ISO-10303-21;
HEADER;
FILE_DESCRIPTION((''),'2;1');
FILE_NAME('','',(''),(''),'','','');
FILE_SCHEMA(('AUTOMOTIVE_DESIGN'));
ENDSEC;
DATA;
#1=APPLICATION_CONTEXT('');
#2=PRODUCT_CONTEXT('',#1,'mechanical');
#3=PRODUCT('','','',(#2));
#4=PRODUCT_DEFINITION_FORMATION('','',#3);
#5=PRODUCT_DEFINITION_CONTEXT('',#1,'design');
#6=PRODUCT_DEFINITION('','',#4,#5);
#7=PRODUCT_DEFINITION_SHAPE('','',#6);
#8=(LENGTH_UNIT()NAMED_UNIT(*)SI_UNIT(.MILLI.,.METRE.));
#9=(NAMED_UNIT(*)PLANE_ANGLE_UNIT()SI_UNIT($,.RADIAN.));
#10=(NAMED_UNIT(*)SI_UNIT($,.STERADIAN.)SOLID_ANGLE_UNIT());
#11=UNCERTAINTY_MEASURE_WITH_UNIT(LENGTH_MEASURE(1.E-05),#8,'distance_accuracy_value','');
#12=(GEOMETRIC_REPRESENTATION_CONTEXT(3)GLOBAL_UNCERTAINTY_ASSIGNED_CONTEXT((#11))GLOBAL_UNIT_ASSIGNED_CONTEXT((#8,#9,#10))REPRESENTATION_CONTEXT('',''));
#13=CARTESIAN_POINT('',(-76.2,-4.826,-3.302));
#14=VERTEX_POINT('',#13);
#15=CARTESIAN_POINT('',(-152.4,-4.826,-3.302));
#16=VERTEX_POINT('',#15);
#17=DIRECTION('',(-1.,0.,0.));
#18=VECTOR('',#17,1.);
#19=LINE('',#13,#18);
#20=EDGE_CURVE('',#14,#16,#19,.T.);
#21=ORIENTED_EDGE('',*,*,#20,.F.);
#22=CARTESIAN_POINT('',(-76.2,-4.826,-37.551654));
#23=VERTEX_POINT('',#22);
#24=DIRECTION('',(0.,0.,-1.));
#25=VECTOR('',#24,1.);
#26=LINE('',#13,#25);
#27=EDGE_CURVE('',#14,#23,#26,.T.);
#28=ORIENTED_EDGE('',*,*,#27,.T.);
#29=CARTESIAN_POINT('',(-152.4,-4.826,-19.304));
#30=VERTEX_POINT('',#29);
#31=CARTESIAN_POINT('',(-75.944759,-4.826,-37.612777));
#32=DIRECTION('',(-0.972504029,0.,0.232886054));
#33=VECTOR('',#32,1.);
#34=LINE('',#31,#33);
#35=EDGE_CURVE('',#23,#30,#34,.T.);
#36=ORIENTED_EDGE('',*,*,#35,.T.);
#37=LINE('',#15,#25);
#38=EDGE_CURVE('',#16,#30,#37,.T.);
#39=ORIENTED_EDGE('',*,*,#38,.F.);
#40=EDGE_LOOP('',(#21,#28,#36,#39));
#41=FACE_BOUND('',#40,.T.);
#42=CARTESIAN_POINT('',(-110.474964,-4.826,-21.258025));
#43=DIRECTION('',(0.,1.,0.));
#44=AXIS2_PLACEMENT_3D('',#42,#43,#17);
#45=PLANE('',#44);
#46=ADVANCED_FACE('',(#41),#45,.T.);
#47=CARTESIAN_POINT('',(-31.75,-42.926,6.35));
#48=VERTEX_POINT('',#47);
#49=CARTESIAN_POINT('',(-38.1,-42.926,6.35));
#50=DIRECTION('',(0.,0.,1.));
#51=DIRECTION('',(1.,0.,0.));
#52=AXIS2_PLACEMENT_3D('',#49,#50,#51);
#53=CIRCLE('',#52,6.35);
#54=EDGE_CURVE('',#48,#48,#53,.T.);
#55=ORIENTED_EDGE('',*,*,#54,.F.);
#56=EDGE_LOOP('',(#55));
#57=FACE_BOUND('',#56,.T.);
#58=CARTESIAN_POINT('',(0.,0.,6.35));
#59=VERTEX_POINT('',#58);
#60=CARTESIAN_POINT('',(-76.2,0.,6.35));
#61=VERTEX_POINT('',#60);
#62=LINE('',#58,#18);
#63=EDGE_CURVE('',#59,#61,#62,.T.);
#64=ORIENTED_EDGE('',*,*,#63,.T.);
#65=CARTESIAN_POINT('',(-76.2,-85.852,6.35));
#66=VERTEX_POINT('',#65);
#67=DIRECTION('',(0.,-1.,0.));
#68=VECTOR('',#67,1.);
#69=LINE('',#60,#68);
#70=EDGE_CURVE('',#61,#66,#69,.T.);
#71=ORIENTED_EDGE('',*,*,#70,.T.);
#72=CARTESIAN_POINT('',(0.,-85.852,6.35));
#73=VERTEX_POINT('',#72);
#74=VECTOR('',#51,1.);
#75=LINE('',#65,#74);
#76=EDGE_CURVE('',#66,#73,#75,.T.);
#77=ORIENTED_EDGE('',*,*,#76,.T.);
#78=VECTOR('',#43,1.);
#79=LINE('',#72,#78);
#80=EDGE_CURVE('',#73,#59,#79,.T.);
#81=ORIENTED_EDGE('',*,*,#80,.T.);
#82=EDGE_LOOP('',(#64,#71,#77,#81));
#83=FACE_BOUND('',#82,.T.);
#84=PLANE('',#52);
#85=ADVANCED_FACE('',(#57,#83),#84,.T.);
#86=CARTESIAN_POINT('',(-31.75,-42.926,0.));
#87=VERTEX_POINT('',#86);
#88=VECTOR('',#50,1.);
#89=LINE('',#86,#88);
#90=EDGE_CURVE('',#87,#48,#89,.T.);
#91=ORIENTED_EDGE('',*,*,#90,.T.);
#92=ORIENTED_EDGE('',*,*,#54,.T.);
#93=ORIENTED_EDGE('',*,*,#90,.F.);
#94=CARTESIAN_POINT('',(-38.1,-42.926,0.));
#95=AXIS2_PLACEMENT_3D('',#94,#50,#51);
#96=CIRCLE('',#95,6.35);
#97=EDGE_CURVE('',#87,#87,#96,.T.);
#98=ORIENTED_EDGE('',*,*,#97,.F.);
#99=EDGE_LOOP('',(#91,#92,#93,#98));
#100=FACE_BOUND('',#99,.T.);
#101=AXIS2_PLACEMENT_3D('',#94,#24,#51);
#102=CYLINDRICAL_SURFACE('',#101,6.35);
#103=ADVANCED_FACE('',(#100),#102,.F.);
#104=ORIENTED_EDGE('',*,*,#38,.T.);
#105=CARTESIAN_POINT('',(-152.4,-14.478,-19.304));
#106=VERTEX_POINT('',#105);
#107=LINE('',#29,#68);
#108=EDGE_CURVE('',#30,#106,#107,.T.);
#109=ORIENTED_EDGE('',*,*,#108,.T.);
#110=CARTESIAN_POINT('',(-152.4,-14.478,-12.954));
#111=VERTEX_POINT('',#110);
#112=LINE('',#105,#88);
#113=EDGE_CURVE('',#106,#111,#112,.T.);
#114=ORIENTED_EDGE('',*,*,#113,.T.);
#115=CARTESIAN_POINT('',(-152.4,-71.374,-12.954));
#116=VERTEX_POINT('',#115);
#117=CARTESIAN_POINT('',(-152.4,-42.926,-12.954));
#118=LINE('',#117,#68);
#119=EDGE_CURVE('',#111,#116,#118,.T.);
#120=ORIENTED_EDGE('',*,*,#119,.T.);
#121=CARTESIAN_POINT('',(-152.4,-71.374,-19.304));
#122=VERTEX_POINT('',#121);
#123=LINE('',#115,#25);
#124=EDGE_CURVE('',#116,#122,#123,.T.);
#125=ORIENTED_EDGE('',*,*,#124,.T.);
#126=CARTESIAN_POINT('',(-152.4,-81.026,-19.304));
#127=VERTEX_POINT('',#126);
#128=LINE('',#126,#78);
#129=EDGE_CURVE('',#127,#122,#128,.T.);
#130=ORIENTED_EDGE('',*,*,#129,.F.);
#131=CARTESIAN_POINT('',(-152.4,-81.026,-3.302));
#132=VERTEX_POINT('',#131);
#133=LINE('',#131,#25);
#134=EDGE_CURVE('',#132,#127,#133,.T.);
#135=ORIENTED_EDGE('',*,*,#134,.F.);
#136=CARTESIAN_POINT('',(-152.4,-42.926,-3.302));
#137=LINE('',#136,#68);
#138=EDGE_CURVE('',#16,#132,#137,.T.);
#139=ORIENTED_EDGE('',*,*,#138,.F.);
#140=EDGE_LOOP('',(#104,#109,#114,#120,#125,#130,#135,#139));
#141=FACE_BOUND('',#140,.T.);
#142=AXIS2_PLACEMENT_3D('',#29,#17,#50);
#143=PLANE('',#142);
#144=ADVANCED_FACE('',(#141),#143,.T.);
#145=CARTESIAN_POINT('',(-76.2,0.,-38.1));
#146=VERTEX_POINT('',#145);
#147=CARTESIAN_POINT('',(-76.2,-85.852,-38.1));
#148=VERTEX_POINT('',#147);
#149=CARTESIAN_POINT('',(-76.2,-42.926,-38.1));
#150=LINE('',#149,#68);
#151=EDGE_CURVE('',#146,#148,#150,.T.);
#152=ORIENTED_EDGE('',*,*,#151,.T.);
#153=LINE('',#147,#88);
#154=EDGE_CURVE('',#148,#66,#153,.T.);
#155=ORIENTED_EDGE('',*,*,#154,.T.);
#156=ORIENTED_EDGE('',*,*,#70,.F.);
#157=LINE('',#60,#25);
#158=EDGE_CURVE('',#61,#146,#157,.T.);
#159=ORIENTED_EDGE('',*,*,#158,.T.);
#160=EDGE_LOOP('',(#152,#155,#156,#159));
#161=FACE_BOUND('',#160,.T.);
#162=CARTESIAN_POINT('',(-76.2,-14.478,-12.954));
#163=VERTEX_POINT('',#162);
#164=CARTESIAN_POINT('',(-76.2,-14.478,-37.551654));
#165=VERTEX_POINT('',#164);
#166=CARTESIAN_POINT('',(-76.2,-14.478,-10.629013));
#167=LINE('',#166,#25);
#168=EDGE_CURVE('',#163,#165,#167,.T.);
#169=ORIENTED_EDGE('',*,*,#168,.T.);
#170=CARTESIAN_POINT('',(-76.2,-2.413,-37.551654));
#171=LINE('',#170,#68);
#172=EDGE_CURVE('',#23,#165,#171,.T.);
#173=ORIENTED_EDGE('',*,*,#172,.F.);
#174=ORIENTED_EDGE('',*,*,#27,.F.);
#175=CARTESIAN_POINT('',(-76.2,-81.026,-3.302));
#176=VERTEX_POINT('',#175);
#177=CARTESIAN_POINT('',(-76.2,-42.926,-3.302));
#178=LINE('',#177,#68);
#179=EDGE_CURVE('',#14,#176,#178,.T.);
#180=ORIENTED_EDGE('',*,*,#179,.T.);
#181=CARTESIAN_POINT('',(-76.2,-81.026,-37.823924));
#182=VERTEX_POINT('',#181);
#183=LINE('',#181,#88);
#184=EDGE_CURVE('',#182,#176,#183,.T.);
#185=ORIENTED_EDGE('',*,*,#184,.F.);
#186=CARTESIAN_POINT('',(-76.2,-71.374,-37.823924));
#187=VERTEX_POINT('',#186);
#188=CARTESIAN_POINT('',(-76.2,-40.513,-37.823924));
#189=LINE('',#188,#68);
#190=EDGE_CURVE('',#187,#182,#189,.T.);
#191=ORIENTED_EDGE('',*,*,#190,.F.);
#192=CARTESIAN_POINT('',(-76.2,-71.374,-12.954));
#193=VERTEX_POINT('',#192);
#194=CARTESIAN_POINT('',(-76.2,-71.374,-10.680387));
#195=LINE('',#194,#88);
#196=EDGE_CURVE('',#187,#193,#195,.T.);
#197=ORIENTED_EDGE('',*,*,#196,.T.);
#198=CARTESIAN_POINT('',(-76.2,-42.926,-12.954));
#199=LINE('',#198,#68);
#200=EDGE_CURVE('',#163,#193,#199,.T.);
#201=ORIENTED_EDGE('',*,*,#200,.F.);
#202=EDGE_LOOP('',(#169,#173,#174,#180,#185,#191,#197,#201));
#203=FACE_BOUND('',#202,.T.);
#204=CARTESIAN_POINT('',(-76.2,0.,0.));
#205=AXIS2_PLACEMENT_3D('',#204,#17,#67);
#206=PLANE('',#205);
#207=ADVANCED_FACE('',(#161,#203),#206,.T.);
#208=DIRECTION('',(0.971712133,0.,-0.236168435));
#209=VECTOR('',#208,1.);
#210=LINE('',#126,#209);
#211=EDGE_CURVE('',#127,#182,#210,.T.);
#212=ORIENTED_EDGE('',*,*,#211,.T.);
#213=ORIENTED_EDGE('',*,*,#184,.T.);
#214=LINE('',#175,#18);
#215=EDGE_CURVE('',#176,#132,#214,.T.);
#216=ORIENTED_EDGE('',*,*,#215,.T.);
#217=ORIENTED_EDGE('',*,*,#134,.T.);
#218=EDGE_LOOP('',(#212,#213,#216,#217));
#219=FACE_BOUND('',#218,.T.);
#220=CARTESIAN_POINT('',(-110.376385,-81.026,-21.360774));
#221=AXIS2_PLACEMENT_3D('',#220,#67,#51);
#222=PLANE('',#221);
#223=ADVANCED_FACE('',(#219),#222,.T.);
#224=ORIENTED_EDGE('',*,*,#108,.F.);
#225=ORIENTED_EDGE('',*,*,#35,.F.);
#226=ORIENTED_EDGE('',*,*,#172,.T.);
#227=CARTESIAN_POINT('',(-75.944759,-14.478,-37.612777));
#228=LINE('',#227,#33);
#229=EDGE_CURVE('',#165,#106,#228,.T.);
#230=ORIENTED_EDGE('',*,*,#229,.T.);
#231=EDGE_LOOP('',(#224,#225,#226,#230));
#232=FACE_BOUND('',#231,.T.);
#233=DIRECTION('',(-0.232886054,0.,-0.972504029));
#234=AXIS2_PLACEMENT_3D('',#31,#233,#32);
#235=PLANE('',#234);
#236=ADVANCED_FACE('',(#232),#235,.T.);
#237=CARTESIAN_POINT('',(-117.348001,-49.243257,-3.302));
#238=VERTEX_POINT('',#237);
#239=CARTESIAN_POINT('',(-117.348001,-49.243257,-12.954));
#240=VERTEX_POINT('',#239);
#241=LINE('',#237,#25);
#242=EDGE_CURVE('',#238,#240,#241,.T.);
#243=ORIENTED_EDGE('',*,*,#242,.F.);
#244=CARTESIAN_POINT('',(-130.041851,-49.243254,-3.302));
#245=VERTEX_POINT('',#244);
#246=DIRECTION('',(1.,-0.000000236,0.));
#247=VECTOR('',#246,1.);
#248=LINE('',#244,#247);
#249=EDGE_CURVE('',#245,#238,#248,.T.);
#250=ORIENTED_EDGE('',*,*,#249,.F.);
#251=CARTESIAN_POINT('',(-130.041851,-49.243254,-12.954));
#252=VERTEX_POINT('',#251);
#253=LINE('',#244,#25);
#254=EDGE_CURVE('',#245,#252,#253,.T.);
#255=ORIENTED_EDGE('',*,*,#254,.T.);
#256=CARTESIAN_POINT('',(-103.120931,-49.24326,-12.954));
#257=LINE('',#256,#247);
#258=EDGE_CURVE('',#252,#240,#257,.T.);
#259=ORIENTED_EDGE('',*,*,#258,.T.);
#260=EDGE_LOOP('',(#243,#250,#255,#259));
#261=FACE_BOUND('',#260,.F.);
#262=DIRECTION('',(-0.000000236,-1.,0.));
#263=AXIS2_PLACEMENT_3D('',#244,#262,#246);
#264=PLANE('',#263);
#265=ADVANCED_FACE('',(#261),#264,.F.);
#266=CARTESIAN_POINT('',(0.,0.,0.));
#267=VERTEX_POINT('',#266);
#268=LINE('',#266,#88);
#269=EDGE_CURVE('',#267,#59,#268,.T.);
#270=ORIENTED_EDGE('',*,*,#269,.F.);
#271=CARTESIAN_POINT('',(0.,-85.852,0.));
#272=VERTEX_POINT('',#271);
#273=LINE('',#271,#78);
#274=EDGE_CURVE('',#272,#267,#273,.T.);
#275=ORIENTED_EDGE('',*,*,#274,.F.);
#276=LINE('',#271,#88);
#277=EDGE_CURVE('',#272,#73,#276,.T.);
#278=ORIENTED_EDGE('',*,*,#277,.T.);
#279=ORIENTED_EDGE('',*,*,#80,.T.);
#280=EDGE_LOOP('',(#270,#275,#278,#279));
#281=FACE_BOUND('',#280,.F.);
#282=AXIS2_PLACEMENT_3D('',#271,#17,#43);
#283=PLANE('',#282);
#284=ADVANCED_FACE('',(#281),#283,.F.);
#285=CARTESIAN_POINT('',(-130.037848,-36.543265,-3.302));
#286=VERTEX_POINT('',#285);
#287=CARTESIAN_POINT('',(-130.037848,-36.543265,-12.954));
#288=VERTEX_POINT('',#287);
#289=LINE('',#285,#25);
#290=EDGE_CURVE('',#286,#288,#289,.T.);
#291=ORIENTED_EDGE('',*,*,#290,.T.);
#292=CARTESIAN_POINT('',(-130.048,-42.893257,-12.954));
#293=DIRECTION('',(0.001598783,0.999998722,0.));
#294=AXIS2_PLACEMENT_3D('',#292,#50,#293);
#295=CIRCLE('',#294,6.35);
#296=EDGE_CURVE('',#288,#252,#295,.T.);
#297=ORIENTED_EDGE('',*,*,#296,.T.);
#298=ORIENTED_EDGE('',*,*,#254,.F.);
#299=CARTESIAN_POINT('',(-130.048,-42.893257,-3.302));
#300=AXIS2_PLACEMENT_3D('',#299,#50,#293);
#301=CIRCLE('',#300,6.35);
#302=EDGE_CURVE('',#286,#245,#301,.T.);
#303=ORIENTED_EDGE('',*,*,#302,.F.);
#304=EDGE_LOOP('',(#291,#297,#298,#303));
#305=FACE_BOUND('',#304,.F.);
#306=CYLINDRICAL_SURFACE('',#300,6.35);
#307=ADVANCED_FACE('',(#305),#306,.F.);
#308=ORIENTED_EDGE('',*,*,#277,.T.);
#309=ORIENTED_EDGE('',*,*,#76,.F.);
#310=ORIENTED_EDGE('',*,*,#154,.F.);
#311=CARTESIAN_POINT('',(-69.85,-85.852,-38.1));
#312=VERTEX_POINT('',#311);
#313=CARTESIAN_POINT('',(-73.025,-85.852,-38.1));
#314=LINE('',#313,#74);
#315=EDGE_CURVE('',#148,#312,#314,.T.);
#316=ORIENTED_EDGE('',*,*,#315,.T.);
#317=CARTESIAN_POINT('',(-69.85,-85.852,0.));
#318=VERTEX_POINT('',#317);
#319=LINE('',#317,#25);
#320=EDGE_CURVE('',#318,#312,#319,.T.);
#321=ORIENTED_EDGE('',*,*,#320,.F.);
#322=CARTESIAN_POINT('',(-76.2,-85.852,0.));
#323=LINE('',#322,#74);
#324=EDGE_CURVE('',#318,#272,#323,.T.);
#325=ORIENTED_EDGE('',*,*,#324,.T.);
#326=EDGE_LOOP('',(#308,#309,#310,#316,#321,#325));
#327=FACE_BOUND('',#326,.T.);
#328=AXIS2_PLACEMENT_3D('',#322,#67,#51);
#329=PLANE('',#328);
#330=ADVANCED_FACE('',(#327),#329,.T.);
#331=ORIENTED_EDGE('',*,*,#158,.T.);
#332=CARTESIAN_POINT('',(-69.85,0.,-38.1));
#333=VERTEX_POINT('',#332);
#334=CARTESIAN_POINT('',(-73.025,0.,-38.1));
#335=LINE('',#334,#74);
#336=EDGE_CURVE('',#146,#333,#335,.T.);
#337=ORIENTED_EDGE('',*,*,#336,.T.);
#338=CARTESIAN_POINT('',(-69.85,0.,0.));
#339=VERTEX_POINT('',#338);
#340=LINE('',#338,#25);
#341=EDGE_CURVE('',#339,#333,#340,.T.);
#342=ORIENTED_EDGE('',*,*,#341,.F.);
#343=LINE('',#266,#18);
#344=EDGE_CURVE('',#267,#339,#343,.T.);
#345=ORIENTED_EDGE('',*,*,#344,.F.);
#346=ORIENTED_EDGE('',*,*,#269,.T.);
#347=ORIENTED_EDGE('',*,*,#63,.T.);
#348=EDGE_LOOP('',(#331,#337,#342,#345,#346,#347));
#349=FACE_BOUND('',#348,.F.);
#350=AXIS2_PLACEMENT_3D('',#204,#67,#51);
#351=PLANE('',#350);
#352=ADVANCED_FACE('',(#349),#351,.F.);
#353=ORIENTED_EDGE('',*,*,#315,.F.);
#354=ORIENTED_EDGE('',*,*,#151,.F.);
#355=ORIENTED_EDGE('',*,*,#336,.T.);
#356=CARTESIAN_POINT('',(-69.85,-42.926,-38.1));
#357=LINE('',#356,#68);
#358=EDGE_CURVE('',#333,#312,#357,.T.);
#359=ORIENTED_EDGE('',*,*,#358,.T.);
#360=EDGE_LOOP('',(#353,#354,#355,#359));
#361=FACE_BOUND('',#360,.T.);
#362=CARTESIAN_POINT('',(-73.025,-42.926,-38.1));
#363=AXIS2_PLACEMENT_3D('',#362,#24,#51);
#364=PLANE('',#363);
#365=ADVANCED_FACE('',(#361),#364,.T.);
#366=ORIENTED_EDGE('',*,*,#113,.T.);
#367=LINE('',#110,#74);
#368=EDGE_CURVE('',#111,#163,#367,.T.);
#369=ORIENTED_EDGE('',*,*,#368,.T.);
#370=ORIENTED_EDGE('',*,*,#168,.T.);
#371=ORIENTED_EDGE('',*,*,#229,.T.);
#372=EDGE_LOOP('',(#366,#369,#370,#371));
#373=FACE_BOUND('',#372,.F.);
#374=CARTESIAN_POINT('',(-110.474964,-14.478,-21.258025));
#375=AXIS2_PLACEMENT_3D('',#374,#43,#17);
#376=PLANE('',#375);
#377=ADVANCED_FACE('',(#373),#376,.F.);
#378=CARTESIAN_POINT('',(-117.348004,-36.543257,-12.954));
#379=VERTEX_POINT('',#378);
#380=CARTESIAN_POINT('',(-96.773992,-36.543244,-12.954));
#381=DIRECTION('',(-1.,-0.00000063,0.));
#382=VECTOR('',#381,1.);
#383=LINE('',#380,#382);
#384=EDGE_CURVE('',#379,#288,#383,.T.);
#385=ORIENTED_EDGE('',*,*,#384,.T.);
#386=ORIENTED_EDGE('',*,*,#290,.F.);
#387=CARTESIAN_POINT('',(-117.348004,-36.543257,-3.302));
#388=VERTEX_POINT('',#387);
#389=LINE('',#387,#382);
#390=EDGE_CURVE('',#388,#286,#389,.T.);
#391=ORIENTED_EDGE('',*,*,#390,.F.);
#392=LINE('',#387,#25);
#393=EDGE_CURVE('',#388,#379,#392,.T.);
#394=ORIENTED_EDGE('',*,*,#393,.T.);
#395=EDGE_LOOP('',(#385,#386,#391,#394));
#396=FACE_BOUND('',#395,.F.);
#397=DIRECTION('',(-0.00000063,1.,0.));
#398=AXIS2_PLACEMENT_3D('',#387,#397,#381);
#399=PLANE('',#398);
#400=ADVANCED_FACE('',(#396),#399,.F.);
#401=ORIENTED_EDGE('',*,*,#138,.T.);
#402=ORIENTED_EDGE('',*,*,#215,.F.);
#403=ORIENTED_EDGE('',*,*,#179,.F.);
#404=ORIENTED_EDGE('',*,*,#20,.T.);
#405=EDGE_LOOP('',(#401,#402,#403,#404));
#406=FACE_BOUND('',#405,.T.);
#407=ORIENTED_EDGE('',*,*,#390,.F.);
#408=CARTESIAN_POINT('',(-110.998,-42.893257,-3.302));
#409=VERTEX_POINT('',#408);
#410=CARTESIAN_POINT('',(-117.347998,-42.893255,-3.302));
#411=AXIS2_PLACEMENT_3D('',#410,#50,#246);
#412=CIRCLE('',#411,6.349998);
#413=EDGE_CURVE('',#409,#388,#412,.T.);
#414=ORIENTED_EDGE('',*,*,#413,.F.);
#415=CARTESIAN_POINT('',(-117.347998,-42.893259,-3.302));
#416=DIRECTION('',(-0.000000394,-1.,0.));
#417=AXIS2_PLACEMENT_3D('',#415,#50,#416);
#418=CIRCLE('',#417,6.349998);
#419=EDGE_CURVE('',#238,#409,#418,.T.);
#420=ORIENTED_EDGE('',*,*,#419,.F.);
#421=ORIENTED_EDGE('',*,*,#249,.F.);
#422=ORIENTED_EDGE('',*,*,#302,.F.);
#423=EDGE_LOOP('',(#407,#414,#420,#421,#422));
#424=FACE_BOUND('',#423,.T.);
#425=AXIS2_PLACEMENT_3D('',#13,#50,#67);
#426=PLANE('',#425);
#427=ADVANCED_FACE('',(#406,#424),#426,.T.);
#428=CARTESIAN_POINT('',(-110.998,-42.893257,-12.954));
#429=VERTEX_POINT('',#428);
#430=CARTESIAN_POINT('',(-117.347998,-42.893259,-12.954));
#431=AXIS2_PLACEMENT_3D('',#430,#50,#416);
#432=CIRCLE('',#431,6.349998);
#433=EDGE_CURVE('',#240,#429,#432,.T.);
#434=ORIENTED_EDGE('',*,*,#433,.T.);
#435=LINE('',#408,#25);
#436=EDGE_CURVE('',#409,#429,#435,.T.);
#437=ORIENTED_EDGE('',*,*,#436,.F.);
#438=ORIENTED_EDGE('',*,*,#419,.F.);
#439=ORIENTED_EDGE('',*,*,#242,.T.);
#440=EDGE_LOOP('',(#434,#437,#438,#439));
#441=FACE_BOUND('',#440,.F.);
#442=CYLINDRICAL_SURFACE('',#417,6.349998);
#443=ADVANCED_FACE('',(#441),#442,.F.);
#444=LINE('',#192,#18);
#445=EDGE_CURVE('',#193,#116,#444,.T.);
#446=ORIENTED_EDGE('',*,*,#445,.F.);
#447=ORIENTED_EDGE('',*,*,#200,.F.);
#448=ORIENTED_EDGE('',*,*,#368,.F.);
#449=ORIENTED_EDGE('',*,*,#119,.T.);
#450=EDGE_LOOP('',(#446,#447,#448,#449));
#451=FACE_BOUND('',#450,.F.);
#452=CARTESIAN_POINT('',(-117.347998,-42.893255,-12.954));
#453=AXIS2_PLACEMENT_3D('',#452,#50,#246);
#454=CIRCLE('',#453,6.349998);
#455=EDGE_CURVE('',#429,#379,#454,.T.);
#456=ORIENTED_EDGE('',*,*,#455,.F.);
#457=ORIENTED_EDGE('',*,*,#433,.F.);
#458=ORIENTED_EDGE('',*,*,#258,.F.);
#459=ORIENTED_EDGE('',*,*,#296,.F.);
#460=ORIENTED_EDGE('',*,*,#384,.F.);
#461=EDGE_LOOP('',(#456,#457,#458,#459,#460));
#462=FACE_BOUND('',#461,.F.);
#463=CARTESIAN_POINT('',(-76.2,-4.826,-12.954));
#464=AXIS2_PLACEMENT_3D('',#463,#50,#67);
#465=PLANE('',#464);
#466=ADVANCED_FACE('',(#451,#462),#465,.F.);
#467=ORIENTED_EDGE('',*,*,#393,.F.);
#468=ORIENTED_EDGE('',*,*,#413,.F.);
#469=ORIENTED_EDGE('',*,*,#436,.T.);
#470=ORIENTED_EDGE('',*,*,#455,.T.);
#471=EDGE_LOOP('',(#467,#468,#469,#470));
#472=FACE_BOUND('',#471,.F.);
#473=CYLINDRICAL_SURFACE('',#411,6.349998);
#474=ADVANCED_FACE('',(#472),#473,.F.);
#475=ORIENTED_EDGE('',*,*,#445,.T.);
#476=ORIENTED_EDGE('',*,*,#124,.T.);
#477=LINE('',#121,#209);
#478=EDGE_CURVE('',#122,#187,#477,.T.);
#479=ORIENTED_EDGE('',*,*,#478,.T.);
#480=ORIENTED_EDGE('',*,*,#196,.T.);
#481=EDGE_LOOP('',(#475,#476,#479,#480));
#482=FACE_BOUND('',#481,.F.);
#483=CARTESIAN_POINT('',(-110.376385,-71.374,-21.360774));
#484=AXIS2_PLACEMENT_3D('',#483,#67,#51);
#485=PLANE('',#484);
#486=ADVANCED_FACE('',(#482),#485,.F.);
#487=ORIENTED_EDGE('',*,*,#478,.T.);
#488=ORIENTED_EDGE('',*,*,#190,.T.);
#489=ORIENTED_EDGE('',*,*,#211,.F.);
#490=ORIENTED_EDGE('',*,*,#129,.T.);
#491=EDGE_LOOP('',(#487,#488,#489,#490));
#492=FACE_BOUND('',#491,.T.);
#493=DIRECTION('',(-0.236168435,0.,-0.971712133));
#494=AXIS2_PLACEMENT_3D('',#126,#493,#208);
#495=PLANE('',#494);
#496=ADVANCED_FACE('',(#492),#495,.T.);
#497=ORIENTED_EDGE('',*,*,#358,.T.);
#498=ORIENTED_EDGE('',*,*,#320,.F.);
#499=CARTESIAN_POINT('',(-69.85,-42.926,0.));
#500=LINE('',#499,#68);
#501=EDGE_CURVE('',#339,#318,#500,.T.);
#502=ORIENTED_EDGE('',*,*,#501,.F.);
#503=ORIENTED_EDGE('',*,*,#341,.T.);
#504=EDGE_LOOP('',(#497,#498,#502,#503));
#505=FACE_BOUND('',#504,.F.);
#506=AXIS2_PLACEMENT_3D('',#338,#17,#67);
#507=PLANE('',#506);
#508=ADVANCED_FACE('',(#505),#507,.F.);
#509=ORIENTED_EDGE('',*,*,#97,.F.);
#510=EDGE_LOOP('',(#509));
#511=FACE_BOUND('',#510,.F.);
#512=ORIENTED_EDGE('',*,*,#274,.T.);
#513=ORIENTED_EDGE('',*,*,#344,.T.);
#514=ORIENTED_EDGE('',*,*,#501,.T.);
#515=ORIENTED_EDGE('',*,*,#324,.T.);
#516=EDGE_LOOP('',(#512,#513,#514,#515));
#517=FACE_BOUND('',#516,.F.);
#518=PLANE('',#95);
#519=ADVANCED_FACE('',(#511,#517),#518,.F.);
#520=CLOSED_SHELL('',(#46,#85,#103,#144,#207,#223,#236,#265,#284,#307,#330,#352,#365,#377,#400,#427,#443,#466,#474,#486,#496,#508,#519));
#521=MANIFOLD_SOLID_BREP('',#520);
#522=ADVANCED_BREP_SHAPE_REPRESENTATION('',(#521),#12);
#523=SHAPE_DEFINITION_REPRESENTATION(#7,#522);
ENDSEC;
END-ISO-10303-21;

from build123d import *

# Parameters (mm, degrees)
F0_R      = 6.35
F1_DEPTH  = 6.35
F2_W      = 6.35
F2_H      = 85.852
F3_DEPTH  = 38.1
F4_W      = 76.2
F4_H      = 9.652
F5_DEPTH  = 76.2
F7_DEPTH  = 10.16
F9_DEPTH  = 9.652
F11_DEPTH = 9.652


with BuildPart() as f1:
    # F0 (on Top) → F1 (new body)
    with BuildSketch(Plane.XY):
        Polygon((0, -85.852), (0, 0), (-38.1, 0), (-76.2, 0), (-76.2, -85.852), align=None)
        with Locations((-38.1, -42.926)):
            Circle(F0_R, mode=Mode.SUBTRACT)
    extrude(amount=F1_DEPTH)

    # F2 (on face) → F3 (join)
    with BuildSketch(Plane(origin=(0, 0, 0), x_dir=(1, 0, 0), z_dir=(0, 0, -1))):
        with Locations((-73.025, 42.926)):
            Rectangle(F2_W, F2_H)
    extrude(amount=F3_DEPTH)

    # F4 (on face) → F5 (join)
    with BuildSketch(Plane(origin=(-76.2, 0, 0), x_dir=(0, -1, 0), z_dir=(-1, 0, 0))):
        with Locations((42.926, -8.128)):
            Rectangle(F4_W, F4_H)
    extrude(amount=F5_DEPTH)

    # F6 (on face) → F7 (cut)
    with BuildSketch(Plane.XY.offset(-3.302)):
        with BuildLine():
            ThreePointArc((-130.041851, -49.243254), (-125.555699, -47.381211), (-123.698, -42.893257))
            ThreePointArc((-123.698, -42.893257), (-125.554284, -38.40672), (-130.037848, -36.543265))
            ThreePointArc((-130.037848, -36.543265), (-136.398, -42.891255), (-130.041851, -49.243254))
        make_face()
        with BuildLine():
            ThreePointArc((-123.698, -42.893257), (-121.838129, -38.40313), (-117.348004, -36.543257))
            Line((-117.348004, -36.543257), (-130.037848, -36.543265))
            ThreePointArc((-130.037848, -36.543265), (-125.554284, -38.40672), (-123.698, -42.893257))
        make_face()
        with BuildLine():
            ThreePointArc((-117.348001, -49.243257), (-112.857872, -47.383386), (-110.998, -42.893257))
            ThreePointArc((-110.998, -42.893257), (-112.857873, -38.403127), (-117.348004, -36.543257))
            ThreePointArc((-117.348004, -36.543257), (-121.838129, -38.40313), (-123.698, -42.893257))
            ThreePointArc((-123.698, -42.893257), (-121.838129, -47.383385), (-117.348001, -49.243257))
        make_face()
        with BuildLine():
            Line((-130.041851, -49.243254), (-117.348001, -49.243257))
            ThreePointArc((-117.348001, -49.243257), (-121.838129, -47.383385), (-123.698, -42.893257))
            ThreePointArc((-123.698, -42.893257), (-125.555699, -47.381211), (-130.041851, -49.243254))
        make_face()
    extrude(amount=-F7_DEPTH, mode=Mode.SUBTRACT)

    # F8 (on face) → F9 (join)
    with BuildSketch(Plane.XZ.offset(81.026)):
        Polygon((-76.2, -12.954), (-152.4, -12.954), (-152.4, -19.304), (-75.782955, -37.925284), align=None)
    extrude(amount=-F9_DEPTH)

    # F10 (on face) → F11 (join)
    with BuildSketch(Plane(origin=(0, -4.826, 0), x_dir=(-1, 0, 0), z_dir=(0, 1, 0))):
        Polygon((152.4, -19.304), (152.4, -12.954), (76.2, -12.954), (75.944759, -37.612777), align=None)
    extrude(amount=-F11_DEPTH)


solid = f1.part
